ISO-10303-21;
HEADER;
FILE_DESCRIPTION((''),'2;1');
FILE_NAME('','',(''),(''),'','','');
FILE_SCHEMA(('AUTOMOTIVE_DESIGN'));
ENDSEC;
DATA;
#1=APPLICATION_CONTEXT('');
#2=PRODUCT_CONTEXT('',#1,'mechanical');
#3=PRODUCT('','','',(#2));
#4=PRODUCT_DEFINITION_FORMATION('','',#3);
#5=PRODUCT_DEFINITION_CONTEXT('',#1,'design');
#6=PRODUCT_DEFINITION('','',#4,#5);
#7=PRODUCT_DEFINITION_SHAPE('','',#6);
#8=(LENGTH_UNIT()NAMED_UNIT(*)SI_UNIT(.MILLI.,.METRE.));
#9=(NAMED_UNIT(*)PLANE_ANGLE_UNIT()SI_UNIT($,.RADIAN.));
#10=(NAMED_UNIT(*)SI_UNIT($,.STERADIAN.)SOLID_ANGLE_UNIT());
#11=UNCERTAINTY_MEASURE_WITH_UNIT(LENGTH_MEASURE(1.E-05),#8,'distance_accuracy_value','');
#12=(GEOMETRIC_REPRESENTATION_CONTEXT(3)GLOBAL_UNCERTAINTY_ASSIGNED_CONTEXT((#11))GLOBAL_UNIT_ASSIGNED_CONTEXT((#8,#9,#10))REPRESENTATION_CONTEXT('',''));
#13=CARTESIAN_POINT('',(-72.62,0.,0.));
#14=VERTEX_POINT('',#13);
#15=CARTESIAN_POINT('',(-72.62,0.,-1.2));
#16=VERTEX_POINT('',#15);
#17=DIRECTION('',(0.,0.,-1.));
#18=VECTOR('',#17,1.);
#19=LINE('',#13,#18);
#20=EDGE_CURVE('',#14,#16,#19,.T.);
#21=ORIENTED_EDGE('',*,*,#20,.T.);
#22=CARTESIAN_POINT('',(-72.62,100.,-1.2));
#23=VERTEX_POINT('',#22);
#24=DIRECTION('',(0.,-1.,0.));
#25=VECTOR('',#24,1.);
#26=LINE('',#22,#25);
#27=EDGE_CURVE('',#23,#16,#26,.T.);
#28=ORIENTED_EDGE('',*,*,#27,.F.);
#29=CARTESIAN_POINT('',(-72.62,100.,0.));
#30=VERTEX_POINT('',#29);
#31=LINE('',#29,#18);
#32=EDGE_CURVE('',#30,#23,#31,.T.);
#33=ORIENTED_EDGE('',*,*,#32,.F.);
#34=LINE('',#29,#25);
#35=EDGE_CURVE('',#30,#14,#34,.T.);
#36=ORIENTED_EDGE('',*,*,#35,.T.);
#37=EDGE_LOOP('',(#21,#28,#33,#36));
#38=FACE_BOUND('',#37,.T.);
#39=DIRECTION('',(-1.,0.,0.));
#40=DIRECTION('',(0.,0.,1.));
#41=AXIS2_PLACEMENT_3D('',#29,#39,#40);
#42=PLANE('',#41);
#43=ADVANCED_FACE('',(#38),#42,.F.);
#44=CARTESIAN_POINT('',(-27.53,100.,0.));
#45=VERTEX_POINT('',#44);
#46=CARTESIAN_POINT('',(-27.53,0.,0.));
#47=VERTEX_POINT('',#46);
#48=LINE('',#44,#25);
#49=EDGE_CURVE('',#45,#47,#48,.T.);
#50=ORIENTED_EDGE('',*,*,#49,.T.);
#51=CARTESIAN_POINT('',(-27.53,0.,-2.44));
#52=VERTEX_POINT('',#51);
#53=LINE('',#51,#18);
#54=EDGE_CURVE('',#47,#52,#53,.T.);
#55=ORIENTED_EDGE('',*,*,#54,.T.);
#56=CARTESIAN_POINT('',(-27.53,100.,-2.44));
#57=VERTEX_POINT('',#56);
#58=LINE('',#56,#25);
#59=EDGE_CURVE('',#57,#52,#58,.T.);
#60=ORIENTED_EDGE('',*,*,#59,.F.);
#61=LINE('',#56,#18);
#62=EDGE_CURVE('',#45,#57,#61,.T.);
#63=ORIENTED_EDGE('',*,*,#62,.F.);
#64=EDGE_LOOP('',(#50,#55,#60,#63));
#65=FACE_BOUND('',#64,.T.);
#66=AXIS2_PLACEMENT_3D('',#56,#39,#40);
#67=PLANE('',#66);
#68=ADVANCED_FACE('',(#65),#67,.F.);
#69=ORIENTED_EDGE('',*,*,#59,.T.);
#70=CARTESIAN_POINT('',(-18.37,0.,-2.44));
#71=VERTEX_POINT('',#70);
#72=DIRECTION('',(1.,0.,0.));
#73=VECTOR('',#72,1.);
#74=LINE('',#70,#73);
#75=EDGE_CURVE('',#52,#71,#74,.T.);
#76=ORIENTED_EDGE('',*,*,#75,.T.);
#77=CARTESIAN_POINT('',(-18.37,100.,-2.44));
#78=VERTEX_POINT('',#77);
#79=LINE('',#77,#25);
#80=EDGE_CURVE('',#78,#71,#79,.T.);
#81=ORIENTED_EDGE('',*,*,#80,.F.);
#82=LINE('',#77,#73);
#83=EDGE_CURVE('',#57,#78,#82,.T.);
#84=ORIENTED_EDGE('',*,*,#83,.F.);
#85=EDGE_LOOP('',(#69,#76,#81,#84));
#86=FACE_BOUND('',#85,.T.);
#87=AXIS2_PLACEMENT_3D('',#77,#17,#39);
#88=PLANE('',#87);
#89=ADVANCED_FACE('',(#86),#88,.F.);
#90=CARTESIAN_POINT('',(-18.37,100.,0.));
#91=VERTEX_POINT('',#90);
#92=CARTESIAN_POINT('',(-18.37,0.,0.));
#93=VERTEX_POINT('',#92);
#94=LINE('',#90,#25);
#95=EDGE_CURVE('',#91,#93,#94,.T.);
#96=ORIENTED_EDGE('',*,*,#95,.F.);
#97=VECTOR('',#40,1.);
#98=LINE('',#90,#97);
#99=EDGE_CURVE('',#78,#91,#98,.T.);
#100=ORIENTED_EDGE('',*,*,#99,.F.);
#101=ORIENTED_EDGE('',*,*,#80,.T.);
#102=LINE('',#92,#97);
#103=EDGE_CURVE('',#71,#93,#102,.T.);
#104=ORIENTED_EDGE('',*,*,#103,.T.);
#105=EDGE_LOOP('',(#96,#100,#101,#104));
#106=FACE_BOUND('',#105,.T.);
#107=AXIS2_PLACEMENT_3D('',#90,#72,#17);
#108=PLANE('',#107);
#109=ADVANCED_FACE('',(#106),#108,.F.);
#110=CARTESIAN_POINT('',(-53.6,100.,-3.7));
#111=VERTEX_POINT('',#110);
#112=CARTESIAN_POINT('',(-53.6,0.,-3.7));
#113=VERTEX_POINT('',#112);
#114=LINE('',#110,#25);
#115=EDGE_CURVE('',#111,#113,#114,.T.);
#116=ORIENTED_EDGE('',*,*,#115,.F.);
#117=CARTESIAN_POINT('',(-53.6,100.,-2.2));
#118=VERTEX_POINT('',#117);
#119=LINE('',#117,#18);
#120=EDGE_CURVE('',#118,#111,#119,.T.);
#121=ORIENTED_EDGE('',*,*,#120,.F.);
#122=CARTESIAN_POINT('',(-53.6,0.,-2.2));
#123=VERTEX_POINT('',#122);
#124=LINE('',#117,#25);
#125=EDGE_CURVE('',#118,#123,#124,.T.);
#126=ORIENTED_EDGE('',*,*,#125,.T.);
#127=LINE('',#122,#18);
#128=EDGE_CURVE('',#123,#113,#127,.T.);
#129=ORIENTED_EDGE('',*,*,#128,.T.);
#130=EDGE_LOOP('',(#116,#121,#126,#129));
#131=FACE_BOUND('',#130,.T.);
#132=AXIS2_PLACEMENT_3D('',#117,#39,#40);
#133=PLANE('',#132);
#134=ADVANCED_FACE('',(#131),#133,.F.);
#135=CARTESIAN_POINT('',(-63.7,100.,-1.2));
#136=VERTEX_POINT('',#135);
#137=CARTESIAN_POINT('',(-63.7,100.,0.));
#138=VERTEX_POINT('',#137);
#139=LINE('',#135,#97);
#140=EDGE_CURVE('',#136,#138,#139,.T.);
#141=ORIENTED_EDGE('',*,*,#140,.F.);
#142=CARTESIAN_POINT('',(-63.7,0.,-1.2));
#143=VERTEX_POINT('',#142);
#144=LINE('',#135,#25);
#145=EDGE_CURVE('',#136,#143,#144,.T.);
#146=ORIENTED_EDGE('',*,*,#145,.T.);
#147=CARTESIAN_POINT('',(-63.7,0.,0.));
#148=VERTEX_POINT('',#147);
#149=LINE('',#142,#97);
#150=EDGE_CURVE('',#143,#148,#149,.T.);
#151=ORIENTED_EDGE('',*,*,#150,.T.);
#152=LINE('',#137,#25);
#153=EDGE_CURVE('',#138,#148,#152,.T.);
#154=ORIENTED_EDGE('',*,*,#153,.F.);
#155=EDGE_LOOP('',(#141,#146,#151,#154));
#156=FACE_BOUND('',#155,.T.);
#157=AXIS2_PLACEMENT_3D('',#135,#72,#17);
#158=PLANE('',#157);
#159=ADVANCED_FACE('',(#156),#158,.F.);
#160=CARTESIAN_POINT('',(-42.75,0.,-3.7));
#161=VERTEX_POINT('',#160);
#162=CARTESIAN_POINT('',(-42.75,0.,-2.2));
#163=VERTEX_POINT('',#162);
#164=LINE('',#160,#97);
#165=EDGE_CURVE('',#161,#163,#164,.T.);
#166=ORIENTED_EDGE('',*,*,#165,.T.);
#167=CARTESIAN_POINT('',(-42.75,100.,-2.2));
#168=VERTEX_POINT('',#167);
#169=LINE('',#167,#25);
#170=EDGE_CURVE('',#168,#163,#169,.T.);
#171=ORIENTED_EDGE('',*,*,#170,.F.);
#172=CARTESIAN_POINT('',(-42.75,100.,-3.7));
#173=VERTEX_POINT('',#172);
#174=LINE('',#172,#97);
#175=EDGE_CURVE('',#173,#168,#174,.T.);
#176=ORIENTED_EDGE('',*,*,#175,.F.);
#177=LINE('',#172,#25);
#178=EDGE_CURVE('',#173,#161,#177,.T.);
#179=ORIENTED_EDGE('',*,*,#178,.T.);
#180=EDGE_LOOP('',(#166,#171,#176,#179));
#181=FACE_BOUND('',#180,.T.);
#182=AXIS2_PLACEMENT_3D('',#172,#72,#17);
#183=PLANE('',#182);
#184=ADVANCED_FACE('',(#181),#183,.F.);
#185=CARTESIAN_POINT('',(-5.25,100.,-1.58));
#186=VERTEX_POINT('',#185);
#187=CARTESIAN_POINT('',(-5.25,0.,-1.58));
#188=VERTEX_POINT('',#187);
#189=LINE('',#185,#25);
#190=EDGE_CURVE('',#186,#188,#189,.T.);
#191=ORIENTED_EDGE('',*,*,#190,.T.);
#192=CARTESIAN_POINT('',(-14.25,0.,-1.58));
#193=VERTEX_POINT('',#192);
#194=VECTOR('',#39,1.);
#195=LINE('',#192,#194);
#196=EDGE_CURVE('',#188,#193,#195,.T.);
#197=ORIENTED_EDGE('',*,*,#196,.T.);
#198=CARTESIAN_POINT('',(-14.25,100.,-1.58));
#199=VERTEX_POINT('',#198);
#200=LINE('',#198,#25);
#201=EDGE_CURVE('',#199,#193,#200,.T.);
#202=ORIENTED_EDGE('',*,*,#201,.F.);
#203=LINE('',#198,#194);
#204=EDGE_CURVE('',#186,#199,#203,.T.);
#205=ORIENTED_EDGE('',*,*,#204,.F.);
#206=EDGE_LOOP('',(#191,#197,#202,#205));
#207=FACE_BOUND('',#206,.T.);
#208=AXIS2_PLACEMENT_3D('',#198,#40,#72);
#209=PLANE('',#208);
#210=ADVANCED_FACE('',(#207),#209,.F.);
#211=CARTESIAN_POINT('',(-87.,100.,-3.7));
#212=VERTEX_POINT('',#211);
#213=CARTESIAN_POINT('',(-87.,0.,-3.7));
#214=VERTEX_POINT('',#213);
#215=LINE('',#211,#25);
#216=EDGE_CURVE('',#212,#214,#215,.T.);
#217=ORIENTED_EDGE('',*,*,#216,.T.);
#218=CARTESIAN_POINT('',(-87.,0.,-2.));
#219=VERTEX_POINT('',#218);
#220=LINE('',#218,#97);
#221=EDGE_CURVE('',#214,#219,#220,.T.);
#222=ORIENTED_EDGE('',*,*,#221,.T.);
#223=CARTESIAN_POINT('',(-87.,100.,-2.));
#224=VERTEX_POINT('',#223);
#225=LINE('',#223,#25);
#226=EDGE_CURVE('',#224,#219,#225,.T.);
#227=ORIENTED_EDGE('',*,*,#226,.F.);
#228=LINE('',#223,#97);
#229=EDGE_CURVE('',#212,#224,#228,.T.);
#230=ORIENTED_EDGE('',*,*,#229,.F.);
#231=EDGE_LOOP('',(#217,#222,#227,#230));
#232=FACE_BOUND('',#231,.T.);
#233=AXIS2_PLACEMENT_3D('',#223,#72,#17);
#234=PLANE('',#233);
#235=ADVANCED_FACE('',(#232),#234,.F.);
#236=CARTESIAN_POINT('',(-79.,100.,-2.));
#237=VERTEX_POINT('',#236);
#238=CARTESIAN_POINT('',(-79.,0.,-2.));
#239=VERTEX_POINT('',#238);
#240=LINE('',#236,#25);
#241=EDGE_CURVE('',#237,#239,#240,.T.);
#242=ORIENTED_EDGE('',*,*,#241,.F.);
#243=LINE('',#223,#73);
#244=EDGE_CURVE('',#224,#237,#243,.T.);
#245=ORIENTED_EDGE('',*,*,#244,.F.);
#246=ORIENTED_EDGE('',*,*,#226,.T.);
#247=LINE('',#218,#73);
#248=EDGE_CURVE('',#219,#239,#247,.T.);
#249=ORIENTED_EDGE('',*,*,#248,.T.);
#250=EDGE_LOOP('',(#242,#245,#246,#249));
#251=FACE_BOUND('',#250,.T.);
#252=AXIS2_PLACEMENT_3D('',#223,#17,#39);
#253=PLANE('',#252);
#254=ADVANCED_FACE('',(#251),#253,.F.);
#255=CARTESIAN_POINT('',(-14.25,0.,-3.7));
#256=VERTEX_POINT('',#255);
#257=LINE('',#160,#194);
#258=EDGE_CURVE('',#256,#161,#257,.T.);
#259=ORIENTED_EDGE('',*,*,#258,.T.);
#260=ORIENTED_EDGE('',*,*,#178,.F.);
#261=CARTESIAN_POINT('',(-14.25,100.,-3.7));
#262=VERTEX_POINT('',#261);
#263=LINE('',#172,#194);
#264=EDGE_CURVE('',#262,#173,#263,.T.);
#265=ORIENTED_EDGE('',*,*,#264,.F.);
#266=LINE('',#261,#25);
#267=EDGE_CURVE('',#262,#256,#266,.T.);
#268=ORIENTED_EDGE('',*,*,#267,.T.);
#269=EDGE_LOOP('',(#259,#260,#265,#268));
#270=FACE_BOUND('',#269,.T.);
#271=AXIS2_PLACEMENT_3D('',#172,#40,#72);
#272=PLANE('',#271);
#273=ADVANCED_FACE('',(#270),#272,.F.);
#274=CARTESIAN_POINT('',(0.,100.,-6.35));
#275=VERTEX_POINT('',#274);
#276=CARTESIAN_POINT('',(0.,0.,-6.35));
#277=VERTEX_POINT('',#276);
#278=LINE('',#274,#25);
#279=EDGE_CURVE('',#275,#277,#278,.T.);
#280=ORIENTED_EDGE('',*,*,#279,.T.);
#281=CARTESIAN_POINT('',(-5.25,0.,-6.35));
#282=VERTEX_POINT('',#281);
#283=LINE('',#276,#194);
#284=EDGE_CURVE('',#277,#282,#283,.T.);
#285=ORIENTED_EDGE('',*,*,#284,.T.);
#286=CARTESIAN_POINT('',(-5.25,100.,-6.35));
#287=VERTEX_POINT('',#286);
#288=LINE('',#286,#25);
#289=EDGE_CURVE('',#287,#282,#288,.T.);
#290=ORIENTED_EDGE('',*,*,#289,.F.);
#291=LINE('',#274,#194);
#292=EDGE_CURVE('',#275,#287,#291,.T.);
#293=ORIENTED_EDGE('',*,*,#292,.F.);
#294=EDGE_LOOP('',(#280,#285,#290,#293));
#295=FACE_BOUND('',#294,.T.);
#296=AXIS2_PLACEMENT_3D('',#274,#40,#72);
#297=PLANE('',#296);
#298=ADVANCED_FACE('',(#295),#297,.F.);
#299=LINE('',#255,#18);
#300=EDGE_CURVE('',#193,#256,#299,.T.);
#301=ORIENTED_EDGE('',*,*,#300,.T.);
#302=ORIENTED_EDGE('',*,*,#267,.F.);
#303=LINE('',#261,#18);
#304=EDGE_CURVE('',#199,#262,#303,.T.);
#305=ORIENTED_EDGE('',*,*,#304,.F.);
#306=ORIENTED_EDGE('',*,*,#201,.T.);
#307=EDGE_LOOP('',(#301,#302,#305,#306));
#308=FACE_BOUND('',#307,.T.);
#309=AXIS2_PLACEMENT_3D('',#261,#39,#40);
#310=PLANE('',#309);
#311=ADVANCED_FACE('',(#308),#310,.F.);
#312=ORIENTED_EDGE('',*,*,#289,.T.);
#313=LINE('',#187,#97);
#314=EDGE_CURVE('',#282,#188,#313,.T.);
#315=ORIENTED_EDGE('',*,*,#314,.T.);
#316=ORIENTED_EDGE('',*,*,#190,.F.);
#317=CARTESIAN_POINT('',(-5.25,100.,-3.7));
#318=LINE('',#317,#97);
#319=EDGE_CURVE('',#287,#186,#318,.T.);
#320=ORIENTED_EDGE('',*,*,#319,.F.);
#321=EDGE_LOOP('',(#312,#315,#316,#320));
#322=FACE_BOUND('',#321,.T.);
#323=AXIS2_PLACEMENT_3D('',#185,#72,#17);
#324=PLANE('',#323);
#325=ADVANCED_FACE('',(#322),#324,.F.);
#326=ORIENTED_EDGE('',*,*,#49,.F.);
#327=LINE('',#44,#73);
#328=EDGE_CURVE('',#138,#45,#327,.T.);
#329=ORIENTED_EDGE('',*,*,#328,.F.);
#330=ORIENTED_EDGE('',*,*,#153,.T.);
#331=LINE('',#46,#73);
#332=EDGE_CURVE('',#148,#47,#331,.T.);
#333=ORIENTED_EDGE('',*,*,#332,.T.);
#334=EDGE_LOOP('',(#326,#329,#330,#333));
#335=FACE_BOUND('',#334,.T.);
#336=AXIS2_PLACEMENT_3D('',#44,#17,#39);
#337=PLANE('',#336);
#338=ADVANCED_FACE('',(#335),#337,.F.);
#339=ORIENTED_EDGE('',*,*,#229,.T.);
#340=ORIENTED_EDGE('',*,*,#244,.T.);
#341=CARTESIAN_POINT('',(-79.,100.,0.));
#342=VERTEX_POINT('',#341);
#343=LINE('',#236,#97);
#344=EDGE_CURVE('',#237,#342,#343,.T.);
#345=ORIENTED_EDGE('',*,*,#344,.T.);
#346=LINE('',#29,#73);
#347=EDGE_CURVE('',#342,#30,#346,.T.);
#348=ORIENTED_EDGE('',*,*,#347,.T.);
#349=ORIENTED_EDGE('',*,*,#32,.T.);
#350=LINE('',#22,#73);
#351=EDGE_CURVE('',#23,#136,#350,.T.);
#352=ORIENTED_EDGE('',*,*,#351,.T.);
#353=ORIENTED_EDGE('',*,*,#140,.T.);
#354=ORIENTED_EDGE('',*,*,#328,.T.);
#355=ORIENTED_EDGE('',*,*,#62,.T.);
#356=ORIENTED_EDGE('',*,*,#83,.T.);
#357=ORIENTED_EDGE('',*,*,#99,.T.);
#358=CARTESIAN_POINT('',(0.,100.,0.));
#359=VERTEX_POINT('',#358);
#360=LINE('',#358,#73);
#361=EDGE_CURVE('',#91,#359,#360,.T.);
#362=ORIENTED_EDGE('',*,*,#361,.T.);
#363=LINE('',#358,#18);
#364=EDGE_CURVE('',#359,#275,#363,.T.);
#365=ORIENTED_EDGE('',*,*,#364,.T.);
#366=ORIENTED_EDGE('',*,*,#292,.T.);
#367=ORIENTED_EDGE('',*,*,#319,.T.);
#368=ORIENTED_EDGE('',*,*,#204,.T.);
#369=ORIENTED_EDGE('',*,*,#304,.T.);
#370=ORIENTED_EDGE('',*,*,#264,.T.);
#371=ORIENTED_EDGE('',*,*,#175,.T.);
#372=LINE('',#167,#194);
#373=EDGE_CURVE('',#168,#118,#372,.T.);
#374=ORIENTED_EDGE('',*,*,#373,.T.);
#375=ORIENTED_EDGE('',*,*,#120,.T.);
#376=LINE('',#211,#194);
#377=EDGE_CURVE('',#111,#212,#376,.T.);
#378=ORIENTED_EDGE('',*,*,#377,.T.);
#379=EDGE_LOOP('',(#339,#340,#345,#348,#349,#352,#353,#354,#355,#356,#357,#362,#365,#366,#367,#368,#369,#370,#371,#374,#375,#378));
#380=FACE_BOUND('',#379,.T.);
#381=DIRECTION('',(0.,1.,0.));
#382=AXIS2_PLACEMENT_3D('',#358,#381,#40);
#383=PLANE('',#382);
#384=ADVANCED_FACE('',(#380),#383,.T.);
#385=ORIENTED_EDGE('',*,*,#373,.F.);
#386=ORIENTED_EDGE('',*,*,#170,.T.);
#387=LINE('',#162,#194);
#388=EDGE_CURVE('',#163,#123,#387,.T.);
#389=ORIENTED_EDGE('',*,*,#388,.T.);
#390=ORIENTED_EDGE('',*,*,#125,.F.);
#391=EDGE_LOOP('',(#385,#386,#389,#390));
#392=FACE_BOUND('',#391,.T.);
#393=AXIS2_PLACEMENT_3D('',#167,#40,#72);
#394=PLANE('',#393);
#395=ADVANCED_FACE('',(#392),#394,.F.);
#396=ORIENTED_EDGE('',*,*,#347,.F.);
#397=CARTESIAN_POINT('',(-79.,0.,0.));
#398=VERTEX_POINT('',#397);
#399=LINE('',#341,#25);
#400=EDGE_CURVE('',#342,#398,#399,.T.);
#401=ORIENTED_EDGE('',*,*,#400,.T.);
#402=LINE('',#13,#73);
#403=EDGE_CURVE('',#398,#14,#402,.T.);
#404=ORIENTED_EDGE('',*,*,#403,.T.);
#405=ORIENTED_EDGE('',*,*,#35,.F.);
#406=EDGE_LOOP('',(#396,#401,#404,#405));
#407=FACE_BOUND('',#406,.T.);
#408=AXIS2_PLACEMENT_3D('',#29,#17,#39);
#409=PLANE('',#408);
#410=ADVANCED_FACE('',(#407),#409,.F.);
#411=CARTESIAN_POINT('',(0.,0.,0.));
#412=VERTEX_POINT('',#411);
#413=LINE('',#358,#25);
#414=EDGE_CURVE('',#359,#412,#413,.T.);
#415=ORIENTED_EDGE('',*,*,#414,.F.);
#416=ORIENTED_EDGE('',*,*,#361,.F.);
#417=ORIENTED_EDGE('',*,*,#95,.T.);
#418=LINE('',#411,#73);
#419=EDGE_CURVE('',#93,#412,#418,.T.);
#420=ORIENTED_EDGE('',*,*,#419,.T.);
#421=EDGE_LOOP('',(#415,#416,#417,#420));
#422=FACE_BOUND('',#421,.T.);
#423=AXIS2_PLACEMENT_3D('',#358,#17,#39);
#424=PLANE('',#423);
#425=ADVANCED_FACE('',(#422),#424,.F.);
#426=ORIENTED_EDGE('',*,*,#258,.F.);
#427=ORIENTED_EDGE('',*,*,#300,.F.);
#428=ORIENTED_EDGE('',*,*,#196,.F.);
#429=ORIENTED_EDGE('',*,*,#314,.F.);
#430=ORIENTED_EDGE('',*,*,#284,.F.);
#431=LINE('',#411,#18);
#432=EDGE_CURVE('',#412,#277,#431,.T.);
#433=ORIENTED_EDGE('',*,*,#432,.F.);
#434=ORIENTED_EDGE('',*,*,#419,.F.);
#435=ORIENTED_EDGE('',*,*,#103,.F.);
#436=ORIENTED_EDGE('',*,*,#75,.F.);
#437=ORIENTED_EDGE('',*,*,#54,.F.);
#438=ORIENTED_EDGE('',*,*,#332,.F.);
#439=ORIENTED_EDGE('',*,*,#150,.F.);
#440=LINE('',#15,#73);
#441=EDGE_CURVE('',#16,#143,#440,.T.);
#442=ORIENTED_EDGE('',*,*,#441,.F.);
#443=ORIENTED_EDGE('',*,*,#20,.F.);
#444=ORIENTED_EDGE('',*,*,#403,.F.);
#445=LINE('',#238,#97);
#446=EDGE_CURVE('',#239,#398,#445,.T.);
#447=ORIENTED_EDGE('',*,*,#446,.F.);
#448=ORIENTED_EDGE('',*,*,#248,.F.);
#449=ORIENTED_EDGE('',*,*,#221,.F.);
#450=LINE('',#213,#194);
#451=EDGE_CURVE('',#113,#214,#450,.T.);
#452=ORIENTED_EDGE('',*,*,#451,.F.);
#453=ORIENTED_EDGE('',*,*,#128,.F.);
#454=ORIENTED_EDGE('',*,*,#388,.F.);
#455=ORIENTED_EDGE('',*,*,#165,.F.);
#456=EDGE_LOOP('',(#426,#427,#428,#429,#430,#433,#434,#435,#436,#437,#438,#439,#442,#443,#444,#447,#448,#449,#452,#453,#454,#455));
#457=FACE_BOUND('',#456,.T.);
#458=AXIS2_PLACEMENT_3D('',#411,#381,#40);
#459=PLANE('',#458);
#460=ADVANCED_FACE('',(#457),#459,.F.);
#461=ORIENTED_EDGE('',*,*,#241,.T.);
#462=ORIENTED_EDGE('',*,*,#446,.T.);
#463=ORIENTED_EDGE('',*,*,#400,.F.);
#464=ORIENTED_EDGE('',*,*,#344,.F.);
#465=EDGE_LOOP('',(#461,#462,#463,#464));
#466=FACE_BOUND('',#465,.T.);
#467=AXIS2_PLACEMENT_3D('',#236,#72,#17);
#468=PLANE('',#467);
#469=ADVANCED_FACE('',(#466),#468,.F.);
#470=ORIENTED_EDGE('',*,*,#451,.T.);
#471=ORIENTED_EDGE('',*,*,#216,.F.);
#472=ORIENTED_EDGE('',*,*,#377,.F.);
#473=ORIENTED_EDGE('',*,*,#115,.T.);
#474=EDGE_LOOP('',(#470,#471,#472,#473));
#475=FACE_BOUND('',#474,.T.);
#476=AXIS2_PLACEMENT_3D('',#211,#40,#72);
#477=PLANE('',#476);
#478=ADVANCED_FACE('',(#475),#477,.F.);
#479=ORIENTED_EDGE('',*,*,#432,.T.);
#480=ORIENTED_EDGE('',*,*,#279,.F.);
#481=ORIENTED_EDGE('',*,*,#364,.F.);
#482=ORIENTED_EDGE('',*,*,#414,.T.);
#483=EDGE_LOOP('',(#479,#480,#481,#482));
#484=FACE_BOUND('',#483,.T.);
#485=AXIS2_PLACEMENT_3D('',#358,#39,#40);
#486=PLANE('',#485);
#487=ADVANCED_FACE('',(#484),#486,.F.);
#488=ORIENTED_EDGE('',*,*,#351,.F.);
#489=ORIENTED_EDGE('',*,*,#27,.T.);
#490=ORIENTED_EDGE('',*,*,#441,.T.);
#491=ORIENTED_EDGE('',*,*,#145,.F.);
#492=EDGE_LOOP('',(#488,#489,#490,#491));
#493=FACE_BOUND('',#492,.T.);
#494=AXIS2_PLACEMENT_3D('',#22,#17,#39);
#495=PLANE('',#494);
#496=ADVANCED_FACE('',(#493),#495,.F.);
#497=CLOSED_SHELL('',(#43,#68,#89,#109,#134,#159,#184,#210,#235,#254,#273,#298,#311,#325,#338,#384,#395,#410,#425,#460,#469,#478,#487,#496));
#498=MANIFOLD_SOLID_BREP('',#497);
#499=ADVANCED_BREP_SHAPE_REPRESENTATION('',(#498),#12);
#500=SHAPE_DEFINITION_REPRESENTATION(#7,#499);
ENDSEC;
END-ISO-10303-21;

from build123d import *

# Parameters (mm, degrees)
BOSS_EXTRUDE1_DEPTH = 100


with BuildPart() as part:
    # Sketch1 → Boss-Extrude1 (new body)
    with BuildSketch(Plane(origin=(0, 0, 0), x_dir=(1, 0, 0), z_dir=(0, 1, 0))):
        Polygon((-87, 3.7), (-53.6, 3.7), (-53.6, 2.2), (-42.75, 2.2), (-42.75, 3.7), (-14.25, 3.7), (-14.25, 1.58), (-5.25, 1.58), (-5.25, 3.7), (-5.25, 6.35), (0, 6.35), (0, 0), (-18.37, 0), (-18.37, 2.44), (-27.53, 2.44), (-27.53, 0), (-63.7, 0), (-63.7, 1.2), (-72.62, 1.2), (-72.62, 0), (-79, 0), (-79, 2), (-87, 2), align=None)
    extrude(amount=BOSS_EXTRUDE1_DEPTH)


solid = part.part
